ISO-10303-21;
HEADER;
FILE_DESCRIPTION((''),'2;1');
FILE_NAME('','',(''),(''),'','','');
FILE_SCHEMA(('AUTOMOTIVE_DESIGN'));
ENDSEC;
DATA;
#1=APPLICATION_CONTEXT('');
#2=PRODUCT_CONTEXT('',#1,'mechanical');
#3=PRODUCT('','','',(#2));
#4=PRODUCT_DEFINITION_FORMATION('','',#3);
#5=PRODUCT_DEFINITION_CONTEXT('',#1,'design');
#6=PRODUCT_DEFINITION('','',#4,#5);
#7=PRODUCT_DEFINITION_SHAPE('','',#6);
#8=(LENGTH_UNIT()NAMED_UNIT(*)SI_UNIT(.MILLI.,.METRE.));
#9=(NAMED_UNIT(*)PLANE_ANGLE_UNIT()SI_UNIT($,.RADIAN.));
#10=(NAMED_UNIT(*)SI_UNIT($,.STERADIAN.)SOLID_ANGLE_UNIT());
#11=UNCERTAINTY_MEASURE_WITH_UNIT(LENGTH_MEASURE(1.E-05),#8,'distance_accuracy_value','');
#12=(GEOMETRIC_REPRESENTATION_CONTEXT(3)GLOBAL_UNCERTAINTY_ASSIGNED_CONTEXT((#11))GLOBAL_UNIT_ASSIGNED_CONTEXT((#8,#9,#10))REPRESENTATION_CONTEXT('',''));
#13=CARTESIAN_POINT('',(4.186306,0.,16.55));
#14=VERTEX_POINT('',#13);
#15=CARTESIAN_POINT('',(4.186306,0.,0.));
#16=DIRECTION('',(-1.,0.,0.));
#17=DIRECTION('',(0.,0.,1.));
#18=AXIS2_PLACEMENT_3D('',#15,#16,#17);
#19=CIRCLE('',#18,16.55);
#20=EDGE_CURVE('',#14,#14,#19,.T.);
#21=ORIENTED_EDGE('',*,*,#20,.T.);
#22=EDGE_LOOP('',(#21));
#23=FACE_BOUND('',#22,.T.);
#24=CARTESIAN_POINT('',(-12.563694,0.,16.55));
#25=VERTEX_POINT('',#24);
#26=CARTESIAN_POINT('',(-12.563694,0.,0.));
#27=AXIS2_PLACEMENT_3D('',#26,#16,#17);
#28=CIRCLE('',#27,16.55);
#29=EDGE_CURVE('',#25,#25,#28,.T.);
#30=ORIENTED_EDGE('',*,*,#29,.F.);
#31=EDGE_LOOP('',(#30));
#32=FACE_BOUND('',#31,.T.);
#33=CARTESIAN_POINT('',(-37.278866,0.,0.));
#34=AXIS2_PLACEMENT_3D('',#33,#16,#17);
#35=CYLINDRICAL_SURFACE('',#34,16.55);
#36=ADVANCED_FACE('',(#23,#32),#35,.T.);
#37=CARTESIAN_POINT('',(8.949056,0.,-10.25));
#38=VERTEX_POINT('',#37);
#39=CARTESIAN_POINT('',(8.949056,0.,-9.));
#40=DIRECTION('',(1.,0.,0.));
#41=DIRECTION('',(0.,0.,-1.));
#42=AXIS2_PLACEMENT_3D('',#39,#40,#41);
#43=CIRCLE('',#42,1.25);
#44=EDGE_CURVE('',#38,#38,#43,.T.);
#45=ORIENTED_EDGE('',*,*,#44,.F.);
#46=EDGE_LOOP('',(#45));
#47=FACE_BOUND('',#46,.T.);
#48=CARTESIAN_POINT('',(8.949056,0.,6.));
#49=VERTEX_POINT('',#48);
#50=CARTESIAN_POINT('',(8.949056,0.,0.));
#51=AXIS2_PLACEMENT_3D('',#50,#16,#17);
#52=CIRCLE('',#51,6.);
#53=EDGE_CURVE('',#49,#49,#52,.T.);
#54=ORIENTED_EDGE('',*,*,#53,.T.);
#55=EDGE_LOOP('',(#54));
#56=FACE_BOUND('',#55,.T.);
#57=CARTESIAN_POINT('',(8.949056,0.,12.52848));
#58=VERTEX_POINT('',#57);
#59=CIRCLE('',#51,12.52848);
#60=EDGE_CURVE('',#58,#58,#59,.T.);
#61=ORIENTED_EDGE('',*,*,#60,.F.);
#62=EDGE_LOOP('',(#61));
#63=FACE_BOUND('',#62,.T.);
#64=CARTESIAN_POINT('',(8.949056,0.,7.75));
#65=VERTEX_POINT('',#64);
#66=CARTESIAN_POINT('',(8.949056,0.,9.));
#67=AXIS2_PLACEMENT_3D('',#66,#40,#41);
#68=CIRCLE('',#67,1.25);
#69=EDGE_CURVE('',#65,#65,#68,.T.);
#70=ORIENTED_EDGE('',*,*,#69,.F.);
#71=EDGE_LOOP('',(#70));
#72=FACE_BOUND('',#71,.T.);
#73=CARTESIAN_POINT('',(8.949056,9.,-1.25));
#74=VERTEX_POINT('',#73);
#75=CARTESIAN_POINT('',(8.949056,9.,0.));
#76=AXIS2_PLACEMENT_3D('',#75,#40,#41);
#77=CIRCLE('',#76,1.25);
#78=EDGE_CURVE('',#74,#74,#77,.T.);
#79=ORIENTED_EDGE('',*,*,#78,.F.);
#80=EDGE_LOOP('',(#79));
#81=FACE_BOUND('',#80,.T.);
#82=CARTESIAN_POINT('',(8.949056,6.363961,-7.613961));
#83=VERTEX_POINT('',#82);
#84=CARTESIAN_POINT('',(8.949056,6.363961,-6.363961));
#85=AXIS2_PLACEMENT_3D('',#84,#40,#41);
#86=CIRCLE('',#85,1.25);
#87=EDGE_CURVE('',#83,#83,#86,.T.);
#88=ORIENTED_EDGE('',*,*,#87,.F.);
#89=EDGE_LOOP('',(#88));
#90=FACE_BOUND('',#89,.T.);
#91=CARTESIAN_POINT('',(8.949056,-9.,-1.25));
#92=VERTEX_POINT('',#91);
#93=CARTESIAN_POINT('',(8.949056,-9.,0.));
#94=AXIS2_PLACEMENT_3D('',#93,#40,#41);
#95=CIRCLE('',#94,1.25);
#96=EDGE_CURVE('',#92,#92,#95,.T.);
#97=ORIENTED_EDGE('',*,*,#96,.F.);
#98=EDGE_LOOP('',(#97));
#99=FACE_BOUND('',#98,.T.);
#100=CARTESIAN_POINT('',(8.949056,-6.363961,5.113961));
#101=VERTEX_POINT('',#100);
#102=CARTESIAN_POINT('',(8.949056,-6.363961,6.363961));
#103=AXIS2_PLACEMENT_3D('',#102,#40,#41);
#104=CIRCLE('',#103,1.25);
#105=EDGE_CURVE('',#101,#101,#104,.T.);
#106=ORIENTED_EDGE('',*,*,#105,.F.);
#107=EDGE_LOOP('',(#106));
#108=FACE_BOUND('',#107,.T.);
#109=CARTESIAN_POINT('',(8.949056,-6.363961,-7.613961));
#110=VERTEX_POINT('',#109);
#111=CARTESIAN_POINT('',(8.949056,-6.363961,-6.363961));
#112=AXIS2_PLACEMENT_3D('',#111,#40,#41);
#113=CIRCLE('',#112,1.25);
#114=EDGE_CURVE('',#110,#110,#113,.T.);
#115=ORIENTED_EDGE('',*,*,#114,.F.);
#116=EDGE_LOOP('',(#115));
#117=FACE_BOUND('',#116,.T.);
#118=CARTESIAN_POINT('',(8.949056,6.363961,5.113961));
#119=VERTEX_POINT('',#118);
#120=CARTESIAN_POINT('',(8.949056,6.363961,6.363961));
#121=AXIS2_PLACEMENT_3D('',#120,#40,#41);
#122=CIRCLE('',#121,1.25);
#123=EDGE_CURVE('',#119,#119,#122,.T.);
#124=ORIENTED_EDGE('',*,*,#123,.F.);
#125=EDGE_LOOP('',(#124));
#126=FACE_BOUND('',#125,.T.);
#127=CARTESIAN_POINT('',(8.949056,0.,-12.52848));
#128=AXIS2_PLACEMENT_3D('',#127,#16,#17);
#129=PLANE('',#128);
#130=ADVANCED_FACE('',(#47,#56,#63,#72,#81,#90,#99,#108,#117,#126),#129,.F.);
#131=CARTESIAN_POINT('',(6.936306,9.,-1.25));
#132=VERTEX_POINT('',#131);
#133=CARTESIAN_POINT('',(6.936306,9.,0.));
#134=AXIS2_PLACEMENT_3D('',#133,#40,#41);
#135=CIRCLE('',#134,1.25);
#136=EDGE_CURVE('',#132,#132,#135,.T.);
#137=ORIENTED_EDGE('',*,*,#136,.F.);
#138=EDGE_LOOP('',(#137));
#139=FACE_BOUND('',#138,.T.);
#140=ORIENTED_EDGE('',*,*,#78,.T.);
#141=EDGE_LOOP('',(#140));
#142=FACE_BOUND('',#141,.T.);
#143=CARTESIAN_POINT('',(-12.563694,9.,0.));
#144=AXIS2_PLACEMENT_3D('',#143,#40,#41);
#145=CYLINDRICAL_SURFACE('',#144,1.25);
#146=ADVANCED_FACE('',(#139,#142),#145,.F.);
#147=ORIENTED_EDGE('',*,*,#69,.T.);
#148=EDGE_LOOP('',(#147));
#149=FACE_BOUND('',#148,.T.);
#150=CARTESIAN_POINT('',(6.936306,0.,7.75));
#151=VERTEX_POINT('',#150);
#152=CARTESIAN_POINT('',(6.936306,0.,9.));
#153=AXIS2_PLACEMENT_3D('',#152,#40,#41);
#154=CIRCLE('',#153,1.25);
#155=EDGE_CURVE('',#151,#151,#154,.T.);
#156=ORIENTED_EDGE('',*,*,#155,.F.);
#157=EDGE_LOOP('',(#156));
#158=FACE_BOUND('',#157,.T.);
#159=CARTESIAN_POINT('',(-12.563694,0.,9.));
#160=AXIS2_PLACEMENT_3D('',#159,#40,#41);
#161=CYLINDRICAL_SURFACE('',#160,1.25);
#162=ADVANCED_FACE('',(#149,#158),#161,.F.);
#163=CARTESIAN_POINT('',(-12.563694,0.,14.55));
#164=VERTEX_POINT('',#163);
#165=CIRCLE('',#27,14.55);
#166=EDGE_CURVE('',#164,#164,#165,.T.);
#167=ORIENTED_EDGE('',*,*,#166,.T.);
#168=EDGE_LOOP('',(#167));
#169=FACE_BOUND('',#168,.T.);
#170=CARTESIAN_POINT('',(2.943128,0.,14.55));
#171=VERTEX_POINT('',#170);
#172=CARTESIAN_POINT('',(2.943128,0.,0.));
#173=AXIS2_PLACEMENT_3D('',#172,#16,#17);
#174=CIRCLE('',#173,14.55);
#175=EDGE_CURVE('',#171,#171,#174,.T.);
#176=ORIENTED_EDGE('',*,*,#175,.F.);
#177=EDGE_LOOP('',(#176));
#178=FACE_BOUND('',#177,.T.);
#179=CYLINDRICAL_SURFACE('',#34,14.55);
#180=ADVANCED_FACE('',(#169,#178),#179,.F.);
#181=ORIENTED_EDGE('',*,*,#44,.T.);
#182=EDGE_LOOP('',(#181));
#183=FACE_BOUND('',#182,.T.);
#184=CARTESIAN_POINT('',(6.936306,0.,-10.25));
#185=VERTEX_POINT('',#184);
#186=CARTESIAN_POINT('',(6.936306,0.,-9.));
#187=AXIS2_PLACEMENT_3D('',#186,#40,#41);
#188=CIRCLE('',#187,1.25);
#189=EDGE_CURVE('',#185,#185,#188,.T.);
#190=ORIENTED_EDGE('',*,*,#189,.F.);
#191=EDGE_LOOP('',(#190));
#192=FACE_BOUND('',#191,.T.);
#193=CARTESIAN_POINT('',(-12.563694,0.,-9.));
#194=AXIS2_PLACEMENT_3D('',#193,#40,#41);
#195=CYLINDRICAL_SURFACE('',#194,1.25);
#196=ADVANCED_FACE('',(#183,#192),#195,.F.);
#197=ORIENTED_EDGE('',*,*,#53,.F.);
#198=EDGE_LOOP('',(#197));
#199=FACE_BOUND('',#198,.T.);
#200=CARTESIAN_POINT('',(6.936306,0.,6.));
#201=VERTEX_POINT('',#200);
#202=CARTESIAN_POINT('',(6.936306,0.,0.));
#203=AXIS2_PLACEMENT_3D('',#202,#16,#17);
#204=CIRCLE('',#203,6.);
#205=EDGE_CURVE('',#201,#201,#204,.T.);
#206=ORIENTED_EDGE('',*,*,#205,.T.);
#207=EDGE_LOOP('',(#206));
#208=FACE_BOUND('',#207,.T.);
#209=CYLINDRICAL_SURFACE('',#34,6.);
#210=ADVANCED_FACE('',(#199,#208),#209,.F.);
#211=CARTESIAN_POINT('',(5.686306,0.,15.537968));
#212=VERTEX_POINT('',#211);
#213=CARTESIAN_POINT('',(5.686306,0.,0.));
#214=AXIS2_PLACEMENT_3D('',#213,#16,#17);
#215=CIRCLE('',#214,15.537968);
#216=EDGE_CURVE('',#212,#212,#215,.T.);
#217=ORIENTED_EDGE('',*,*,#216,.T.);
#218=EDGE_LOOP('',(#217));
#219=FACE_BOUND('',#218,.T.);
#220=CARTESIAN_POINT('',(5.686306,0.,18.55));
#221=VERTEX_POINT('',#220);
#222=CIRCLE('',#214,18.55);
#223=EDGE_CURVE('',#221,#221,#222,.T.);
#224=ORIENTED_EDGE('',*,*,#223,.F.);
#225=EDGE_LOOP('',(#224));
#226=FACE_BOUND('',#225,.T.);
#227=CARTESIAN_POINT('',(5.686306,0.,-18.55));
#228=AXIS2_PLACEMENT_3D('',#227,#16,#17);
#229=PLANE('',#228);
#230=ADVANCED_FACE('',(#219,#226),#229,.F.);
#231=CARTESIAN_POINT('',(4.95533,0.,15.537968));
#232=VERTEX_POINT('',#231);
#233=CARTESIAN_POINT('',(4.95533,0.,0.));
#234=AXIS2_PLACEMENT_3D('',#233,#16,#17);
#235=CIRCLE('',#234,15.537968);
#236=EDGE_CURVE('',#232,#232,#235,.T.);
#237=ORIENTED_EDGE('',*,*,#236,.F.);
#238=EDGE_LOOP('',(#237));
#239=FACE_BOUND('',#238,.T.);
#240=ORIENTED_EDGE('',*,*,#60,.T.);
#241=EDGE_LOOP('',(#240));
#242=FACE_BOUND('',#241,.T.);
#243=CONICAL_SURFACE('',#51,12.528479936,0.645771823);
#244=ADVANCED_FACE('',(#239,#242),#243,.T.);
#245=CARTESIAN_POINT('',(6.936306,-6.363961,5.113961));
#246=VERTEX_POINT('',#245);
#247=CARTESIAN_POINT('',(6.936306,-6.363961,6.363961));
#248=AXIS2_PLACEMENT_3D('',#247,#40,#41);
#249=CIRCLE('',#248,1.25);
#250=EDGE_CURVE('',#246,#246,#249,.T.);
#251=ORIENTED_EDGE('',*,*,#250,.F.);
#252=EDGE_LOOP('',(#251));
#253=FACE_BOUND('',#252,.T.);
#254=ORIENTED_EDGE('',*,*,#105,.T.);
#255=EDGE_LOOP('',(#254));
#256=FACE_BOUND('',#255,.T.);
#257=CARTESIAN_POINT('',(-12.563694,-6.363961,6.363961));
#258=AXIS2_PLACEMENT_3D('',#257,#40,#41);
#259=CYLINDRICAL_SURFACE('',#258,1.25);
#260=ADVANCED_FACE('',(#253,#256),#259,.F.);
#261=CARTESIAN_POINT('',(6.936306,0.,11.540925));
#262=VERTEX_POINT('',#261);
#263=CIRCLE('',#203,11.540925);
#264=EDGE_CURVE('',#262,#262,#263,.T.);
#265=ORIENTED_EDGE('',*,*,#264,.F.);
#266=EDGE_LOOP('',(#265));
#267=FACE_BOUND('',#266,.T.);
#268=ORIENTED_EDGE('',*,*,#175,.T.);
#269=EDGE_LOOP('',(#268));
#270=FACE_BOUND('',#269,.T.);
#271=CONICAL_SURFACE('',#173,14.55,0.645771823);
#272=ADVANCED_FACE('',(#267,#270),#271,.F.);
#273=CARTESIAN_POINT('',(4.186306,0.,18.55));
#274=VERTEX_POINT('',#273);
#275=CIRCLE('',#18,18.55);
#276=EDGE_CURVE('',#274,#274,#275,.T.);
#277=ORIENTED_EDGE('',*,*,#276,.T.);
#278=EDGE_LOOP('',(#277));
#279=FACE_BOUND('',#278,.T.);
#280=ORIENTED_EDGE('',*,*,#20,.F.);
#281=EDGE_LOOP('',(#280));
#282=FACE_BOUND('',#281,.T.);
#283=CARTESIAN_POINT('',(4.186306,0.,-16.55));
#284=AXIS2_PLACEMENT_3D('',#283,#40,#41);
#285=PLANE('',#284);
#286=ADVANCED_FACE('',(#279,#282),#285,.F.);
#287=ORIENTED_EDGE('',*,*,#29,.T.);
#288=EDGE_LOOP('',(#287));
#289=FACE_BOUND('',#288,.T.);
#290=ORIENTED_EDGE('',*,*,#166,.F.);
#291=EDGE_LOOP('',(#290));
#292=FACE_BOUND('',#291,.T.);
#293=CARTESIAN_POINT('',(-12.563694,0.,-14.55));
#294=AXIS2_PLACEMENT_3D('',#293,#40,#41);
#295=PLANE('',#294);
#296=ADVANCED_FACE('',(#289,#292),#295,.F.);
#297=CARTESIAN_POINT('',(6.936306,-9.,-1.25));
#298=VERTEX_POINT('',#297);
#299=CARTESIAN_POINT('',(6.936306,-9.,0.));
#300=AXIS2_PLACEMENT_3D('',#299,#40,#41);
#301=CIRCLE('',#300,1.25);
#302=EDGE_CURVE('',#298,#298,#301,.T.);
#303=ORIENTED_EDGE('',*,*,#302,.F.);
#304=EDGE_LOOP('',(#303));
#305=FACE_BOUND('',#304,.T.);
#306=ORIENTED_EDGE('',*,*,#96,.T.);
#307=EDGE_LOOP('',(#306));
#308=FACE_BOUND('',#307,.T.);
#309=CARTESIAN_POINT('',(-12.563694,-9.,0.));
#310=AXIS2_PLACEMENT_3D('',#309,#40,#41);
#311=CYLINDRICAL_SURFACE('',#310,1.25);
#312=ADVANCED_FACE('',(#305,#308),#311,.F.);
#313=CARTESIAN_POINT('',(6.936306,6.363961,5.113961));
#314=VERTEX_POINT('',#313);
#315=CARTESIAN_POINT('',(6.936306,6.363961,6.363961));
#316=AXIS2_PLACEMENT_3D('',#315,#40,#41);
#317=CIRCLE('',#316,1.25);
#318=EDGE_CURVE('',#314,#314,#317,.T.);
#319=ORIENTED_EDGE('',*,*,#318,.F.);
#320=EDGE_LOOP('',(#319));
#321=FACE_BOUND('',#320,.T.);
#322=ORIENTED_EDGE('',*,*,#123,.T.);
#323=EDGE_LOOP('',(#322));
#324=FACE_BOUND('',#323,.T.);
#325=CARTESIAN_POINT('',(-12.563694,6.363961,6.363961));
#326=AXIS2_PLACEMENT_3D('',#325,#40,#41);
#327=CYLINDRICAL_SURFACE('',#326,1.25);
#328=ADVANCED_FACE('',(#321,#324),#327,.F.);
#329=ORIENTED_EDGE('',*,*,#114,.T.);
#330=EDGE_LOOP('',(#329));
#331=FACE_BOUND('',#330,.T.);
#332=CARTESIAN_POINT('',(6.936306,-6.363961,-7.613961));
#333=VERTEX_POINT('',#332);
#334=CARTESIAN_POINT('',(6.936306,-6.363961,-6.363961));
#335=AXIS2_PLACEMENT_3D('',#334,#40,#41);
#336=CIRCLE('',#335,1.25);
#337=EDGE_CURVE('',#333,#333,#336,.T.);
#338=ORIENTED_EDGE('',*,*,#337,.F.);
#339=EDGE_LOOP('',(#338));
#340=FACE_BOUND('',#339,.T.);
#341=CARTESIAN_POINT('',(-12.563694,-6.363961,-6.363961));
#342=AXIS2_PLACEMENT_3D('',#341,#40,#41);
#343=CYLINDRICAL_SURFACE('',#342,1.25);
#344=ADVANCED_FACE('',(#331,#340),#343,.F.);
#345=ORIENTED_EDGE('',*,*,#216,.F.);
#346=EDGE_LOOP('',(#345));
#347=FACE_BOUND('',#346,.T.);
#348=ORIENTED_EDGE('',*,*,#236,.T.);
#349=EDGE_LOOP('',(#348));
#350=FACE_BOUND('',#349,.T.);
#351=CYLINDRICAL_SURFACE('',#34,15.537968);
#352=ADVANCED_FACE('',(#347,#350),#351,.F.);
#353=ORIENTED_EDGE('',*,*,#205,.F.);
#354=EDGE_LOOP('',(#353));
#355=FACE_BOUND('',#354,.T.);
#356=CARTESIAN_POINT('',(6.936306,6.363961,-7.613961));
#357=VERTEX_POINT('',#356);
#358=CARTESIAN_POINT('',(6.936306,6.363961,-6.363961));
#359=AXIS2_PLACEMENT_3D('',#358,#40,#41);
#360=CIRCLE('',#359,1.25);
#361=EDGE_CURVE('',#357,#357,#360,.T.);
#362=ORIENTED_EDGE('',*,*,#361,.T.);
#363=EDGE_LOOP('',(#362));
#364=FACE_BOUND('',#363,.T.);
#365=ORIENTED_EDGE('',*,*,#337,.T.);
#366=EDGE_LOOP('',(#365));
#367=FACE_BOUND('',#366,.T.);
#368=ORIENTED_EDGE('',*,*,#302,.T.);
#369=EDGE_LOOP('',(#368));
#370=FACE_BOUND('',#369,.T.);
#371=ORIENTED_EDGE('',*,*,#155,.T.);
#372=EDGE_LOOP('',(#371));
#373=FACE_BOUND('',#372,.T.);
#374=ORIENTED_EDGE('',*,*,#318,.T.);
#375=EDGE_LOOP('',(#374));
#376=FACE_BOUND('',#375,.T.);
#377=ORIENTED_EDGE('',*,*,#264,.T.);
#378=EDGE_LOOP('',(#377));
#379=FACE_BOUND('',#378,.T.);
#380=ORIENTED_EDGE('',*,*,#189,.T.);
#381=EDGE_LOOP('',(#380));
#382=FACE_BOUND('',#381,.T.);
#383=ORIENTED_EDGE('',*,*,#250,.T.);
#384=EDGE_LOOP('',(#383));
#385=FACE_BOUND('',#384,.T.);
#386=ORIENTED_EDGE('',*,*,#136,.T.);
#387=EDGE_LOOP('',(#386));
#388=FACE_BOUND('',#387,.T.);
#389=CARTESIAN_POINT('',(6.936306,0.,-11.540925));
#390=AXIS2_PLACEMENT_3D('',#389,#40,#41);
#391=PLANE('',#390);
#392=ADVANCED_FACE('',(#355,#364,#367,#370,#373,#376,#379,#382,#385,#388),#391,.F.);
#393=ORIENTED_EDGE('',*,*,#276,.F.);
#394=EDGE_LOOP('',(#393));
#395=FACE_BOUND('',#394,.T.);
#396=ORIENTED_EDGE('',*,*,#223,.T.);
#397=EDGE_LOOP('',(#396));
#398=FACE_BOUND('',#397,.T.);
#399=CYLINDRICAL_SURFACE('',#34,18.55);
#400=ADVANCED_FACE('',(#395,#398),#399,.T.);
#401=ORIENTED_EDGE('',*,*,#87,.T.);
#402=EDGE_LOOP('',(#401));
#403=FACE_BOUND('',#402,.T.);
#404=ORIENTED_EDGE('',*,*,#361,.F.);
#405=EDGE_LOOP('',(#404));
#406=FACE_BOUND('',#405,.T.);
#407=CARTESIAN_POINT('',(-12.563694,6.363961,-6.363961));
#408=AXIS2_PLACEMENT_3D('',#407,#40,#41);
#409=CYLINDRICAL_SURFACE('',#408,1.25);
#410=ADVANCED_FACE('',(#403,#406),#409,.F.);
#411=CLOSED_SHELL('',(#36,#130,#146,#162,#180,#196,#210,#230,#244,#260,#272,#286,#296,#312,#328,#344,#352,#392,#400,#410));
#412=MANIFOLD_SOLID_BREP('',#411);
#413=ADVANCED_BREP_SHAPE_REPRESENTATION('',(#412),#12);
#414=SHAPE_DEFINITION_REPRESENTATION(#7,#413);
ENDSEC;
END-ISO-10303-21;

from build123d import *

# Parameters (mm, degrees)
SKETCH2_R          = 1.25
CUT_EXTRUDE1_DEPTH = 22.512750464


with BuildPart() as part:
    # Sketch1 → Revolve1 (revolve)
    with BuildSketch(Plane(origin=(0, 0, 0), x_dir=(1, 0, 0), z_dir=(0, 1, 0))):
        Polygon((-12.563694364, 14.55), (-12.563694364, 16.55), (4.186305636, 16.55), (4.186305636, 18.55), (5.686305636, 18.55), (5.686305636, 15.537968137), (4.955330367, 15.537968137), (8.9490561, 12.528479936), (8.9490561, 6), (6.936305636, 6), (6.936305636, 11.540924884), (2.943128086, 14.55), align=None)
    revolve(axis=Axis((-37.278866169, 0, 0), (1, 0, 0)))

    # Sketch2 → Cut-Extrude1 (cut, through all)
    with BuildSketch(Plane(origin=(8.9490561, 0, 0), x_dir=(0, 0, -1), z_dir=(1, 0, 0))):
        with Locations((0, 9)):
            Circle(SKETCH2_R)
        with Locations((6.363961031, 6.363961031)):
            Circle(SKETCH2_R)
        with Locations((9, 0)):
            Circle(SKETCH2_R)
        with Locations((6.363961031, -6.363961031)):
            Circle(SKETCH2_R)
        with Locations((0, -9)):
            Circle(SKETCH2_R)
        with Locations((-6.363961031, -6.363961031)):
            Circle(SKETCH2_R)
        with Locations((-9, 0)):
            Circle(SKETCH2_R)
        with Locations((-6.363961031, 6.363961031)):
            Circle(SKETCH2_R)
    extrude(amount=-CUT_EXTRUDE1_DEPTH, mode=Mode.SUBTRACT)


solid = part.part
